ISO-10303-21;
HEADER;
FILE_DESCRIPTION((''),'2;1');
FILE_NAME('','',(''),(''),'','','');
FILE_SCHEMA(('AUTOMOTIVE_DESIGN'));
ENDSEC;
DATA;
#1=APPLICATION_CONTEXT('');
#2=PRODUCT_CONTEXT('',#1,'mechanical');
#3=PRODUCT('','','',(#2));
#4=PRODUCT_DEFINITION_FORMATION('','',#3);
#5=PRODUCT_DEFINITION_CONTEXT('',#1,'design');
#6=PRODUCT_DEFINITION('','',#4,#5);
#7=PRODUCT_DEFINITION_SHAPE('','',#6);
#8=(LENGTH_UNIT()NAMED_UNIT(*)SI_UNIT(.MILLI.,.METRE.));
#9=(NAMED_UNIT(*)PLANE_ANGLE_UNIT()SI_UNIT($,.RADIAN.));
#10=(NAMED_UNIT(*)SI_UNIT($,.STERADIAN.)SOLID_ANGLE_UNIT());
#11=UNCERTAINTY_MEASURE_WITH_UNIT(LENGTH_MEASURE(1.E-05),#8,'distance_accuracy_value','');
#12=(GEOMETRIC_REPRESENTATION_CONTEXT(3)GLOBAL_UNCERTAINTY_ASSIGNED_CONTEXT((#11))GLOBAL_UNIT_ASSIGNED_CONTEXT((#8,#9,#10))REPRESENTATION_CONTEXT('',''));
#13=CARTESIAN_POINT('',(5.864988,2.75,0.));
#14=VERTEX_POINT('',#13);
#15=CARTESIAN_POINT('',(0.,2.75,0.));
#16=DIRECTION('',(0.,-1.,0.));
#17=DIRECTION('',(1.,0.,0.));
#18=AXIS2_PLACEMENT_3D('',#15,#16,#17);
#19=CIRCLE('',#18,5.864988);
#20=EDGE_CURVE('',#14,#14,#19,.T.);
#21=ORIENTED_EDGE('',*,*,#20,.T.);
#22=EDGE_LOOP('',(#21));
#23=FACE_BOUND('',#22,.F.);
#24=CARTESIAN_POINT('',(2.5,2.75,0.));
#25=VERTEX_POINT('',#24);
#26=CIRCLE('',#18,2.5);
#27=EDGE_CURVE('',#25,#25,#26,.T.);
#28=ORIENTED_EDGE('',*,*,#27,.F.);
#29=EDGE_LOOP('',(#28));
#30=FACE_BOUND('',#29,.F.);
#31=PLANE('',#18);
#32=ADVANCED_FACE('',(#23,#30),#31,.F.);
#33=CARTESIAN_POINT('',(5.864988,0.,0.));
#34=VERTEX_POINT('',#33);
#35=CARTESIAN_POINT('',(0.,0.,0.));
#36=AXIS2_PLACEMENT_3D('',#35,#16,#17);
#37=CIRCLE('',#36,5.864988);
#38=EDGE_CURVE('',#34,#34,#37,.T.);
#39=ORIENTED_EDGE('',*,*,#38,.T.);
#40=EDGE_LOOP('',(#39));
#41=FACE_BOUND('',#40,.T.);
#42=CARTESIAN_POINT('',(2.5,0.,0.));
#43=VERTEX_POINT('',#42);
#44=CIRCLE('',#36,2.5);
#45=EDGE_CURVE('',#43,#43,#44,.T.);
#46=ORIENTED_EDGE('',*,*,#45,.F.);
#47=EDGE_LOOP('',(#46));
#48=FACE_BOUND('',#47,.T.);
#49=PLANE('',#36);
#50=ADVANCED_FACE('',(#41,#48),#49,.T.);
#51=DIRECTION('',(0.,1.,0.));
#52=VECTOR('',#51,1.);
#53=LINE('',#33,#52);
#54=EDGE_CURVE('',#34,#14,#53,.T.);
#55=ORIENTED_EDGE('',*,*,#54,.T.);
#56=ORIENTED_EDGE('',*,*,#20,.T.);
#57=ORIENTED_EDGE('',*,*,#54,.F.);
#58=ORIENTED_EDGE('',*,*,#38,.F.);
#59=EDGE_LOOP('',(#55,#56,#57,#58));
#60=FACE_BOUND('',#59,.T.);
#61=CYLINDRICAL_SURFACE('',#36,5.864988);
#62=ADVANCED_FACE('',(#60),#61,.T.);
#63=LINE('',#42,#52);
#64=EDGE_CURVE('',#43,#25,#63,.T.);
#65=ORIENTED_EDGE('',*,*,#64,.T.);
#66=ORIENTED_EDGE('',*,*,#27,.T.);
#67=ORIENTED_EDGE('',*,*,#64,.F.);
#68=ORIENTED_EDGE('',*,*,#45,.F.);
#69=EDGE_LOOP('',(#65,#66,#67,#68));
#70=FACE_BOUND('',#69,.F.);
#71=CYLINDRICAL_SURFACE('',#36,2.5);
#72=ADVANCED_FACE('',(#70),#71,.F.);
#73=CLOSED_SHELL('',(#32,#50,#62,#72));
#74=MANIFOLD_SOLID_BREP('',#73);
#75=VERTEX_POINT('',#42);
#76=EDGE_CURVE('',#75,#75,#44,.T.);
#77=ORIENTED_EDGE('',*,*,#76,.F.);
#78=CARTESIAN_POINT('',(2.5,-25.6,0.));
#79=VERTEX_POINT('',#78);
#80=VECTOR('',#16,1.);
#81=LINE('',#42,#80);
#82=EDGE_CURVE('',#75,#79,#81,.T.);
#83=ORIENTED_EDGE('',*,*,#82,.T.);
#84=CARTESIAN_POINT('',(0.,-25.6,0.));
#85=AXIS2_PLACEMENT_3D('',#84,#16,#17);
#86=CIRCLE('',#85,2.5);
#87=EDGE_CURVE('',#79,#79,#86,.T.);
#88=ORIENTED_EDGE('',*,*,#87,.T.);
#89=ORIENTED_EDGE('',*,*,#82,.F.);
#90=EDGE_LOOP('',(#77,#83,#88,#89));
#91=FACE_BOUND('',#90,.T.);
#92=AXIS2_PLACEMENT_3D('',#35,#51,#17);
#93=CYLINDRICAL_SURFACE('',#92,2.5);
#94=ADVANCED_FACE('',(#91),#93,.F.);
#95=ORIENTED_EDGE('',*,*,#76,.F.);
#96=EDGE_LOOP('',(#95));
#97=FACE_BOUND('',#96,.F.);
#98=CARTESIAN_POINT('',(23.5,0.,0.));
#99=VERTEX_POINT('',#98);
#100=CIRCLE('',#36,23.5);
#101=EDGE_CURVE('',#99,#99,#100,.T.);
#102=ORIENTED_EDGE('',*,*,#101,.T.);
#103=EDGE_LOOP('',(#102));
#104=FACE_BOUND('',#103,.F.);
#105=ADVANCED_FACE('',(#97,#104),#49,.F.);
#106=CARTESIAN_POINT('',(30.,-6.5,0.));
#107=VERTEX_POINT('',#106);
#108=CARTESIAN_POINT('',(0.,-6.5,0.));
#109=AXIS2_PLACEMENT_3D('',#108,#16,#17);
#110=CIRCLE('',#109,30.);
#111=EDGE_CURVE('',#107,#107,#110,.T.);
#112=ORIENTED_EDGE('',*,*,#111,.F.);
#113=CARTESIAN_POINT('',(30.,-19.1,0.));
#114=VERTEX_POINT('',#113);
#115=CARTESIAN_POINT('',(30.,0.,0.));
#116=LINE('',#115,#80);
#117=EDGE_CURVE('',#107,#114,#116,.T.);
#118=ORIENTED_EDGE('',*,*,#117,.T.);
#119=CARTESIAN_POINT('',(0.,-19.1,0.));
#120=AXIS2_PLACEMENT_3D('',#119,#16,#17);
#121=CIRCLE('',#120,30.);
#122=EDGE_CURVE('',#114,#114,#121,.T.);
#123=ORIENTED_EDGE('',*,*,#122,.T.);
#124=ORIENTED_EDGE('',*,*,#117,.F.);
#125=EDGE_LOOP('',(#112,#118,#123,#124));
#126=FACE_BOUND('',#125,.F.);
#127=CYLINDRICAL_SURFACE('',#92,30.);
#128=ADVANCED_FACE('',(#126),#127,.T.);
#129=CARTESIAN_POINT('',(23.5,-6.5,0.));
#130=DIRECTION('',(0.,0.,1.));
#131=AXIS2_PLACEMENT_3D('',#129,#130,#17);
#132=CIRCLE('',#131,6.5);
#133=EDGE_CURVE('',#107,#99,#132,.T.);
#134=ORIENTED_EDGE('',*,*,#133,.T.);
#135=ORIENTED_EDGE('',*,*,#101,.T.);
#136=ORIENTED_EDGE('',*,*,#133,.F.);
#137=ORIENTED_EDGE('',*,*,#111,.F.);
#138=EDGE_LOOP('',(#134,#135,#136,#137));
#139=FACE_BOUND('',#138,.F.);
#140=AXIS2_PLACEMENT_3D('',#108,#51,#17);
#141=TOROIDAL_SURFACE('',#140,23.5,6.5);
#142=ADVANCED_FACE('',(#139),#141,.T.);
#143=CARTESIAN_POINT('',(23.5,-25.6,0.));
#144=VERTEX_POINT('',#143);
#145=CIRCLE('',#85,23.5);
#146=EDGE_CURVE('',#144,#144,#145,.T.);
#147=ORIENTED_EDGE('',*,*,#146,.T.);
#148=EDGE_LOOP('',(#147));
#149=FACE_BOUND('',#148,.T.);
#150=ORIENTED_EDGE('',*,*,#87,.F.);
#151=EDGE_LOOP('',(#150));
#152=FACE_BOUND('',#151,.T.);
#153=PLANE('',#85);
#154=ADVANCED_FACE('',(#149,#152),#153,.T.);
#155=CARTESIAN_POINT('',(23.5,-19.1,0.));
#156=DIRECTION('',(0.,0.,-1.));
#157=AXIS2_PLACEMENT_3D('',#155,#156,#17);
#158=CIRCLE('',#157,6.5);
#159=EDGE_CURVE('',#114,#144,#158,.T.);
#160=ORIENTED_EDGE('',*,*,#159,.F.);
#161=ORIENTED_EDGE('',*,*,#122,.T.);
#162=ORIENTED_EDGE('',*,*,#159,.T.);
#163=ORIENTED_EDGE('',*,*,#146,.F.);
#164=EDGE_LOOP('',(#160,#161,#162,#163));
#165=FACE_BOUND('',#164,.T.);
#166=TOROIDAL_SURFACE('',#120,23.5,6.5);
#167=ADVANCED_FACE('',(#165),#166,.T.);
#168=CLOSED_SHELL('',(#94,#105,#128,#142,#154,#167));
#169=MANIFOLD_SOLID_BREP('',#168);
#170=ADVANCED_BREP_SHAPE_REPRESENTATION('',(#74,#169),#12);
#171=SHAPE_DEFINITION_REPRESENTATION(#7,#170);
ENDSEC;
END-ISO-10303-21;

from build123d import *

# Parameters (mm, degrees)
F0_R     = 30
F0_R_2   = 5.864988
F0_R_3   = 2.5
F1_DEPTH = 25.6
F2_R     = 6.5
F3_DEPTH = 2.75


with BuildPart() as f1:
    # F0 (on Front) → F1 (new body)
    with BuildSketch(Plane.XZ):
        Circle(F0_R)
        Circle(F0_R_2, mode=Mode.SUBTRACT)
        Circle(F0_R_2)
        Circle(F0_R_3, mode=Mode.SUBTRACT)
    extrude(amount=F1_DEPTH)

    # F2
    f2_edges = [f1.edges().sort_by_distance(p)[0] for p in [
        (-30, -25.6, 0),
        (-30, 0, 0),
    ]]
    fillet(f2_edges, radius=F2_R)


with BuildPart() as f3:
    # F0 (on Front) → F3 (new body)
    with BuildSketch(Plane.XZ):
        Circle(F0_R_2)
        Circle(F0_R_3, mode=Mode.SUBTRACT)
    extrude(amount=-F3_DEPTH)


solid = Compound([f1.part, f3.part])
